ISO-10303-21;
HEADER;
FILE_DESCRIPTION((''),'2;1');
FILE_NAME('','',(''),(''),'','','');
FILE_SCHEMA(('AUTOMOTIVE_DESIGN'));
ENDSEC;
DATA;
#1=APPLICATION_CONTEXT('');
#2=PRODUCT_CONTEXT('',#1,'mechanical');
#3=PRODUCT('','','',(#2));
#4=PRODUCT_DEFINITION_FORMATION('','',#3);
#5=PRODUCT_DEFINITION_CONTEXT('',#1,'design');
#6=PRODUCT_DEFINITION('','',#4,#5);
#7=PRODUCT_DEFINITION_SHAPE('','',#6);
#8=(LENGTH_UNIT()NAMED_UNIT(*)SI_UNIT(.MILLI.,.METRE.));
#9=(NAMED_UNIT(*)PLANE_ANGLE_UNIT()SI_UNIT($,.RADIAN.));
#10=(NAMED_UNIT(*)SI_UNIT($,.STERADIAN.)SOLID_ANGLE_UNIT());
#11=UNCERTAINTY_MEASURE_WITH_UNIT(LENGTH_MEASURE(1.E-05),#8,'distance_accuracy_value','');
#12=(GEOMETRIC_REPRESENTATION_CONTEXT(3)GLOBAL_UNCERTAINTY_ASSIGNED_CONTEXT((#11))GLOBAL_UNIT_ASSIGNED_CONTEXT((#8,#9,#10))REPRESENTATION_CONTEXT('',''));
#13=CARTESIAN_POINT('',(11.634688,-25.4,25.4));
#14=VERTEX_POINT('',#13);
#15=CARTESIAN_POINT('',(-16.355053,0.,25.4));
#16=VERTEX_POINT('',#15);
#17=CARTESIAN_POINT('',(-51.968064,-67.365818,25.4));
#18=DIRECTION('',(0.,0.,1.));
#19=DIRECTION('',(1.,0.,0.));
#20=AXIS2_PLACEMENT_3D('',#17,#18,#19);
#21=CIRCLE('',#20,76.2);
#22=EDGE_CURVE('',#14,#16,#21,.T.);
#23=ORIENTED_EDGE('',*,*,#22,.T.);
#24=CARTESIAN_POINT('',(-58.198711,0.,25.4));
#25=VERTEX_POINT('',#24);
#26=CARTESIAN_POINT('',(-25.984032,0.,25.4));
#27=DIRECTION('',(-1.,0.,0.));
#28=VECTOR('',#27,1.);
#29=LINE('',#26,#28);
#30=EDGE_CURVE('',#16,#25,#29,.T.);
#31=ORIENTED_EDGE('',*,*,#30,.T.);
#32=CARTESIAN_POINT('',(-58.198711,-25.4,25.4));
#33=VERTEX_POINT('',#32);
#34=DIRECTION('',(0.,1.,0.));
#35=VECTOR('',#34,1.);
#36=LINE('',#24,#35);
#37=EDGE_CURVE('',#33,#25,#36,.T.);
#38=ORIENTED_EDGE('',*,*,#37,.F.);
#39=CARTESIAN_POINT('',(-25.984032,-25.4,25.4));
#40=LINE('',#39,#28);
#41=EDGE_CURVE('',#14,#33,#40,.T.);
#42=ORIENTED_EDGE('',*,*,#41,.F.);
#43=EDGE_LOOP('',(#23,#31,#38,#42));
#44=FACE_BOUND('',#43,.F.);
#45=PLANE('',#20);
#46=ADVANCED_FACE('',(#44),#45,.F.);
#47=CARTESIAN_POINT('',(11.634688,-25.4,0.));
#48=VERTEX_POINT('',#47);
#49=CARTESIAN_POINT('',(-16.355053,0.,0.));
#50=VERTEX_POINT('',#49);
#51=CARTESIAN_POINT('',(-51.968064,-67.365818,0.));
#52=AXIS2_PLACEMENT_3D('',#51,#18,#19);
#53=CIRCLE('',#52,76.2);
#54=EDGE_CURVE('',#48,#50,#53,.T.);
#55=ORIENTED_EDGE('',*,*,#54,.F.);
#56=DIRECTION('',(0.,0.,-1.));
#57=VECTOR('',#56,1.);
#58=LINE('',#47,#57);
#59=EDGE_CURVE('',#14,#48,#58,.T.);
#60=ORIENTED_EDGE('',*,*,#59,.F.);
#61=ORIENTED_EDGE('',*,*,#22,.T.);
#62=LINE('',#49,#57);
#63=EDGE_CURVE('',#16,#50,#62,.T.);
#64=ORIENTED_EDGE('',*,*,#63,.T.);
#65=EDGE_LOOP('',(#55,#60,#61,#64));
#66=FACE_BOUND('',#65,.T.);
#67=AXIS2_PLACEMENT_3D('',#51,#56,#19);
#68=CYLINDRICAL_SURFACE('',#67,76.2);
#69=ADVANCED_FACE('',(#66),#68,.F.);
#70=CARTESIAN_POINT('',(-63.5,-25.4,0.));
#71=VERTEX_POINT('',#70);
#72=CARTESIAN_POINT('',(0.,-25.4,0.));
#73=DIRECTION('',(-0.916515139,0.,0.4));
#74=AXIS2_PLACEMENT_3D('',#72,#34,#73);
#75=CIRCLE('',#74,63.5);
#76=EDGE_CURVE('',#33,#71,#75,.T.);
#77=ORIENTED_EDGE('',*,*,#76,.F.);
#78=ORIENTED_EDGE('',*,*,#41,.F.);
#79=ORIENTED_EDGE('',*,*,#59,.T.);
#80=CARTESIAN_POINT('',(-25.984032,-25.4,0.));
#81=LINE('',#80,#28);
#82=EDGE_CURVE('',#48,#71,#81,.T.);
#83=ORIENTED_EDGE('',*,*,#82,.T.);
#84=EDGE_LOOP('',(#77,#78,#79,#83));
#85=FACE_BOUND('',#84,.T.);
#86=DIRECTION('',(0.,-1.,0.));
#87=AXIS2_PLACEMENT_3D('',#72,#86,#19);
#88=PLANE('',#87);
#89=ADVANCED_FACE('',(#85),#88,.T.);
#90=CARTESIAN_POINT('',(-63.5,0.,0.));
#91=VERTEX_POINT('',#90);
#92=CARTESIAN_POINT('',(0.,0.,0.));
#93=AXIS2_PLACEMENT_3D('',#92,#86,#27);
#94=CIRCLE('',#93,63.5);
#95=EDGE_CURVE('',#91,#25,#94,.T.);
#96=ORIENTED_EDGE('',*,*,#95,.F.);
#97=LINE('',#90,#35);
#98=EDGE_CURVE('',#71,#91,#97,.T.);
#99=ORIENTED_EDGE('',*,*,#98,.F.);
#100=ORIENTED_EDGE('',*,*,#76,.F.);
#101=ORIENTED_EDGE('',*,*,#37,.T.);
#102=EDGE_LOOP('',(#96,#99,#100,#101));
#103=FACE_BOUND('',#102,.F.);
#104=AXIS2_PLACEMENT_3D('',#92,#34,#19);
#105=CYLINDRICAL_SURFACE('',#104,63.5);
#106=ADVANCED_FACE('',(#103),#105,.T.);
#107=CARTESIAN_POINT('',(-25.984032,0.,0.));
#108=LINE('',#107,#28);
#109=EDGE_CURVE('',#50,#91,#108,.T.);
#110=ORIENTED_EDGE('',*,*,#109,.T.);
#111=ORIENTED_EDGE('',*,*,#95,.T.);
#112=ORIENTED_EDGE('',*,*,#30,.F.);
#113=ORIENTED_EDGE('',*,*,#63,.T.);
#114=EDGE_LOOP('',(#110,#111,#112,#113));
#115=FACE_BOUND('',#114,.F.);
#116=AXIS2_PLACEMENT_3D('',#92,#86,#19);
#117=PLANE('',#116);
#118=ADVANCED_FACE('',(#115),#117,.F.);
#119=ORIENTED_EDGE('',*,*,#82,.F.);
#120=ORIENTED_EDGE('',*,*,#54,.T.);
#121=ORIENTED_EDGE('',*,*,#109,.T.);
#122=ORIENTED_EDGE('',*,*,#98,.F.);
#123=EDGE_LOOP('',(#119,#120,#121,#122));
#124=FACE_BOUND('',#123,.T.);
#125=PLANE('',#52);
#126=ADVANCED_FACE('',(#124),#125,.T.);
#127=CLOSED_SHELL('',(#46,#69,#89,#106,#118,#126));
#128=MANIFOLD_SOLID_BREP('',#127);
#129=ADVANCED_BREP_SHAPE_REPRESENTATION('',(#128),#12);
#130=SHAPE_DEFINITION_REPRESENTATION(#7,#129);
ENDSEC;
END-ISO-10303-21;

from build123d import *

# Parameters (mm, degrees)
F0_R     = 63.5
F1_DEPTH = 25.4
F2_R     = 76.2
F3_DEPTH = 25.4


with BuildPart() as f1:
    # F0 (on Front) → F1 (new body)
    with BuildSketch(Plane.XZ):
        Circle(F0_R)
    extrude(amount=F1_DEPTH)


with BuildPart() as f3:
    # F2 (on Top) → F3 (new body)
    with BuildSketch(Plane.XY):
        with Locations((-51.968064, -67.365818)):
            Circle(F2_R)
    extrude(amount=F3_DEPTH)


with BuildPart() as f1_1:
    add(f1.part)

    # F4: cut F3
    add(f3.part, mode=Mode.SUBTRACT)


solid = f1_1.part
